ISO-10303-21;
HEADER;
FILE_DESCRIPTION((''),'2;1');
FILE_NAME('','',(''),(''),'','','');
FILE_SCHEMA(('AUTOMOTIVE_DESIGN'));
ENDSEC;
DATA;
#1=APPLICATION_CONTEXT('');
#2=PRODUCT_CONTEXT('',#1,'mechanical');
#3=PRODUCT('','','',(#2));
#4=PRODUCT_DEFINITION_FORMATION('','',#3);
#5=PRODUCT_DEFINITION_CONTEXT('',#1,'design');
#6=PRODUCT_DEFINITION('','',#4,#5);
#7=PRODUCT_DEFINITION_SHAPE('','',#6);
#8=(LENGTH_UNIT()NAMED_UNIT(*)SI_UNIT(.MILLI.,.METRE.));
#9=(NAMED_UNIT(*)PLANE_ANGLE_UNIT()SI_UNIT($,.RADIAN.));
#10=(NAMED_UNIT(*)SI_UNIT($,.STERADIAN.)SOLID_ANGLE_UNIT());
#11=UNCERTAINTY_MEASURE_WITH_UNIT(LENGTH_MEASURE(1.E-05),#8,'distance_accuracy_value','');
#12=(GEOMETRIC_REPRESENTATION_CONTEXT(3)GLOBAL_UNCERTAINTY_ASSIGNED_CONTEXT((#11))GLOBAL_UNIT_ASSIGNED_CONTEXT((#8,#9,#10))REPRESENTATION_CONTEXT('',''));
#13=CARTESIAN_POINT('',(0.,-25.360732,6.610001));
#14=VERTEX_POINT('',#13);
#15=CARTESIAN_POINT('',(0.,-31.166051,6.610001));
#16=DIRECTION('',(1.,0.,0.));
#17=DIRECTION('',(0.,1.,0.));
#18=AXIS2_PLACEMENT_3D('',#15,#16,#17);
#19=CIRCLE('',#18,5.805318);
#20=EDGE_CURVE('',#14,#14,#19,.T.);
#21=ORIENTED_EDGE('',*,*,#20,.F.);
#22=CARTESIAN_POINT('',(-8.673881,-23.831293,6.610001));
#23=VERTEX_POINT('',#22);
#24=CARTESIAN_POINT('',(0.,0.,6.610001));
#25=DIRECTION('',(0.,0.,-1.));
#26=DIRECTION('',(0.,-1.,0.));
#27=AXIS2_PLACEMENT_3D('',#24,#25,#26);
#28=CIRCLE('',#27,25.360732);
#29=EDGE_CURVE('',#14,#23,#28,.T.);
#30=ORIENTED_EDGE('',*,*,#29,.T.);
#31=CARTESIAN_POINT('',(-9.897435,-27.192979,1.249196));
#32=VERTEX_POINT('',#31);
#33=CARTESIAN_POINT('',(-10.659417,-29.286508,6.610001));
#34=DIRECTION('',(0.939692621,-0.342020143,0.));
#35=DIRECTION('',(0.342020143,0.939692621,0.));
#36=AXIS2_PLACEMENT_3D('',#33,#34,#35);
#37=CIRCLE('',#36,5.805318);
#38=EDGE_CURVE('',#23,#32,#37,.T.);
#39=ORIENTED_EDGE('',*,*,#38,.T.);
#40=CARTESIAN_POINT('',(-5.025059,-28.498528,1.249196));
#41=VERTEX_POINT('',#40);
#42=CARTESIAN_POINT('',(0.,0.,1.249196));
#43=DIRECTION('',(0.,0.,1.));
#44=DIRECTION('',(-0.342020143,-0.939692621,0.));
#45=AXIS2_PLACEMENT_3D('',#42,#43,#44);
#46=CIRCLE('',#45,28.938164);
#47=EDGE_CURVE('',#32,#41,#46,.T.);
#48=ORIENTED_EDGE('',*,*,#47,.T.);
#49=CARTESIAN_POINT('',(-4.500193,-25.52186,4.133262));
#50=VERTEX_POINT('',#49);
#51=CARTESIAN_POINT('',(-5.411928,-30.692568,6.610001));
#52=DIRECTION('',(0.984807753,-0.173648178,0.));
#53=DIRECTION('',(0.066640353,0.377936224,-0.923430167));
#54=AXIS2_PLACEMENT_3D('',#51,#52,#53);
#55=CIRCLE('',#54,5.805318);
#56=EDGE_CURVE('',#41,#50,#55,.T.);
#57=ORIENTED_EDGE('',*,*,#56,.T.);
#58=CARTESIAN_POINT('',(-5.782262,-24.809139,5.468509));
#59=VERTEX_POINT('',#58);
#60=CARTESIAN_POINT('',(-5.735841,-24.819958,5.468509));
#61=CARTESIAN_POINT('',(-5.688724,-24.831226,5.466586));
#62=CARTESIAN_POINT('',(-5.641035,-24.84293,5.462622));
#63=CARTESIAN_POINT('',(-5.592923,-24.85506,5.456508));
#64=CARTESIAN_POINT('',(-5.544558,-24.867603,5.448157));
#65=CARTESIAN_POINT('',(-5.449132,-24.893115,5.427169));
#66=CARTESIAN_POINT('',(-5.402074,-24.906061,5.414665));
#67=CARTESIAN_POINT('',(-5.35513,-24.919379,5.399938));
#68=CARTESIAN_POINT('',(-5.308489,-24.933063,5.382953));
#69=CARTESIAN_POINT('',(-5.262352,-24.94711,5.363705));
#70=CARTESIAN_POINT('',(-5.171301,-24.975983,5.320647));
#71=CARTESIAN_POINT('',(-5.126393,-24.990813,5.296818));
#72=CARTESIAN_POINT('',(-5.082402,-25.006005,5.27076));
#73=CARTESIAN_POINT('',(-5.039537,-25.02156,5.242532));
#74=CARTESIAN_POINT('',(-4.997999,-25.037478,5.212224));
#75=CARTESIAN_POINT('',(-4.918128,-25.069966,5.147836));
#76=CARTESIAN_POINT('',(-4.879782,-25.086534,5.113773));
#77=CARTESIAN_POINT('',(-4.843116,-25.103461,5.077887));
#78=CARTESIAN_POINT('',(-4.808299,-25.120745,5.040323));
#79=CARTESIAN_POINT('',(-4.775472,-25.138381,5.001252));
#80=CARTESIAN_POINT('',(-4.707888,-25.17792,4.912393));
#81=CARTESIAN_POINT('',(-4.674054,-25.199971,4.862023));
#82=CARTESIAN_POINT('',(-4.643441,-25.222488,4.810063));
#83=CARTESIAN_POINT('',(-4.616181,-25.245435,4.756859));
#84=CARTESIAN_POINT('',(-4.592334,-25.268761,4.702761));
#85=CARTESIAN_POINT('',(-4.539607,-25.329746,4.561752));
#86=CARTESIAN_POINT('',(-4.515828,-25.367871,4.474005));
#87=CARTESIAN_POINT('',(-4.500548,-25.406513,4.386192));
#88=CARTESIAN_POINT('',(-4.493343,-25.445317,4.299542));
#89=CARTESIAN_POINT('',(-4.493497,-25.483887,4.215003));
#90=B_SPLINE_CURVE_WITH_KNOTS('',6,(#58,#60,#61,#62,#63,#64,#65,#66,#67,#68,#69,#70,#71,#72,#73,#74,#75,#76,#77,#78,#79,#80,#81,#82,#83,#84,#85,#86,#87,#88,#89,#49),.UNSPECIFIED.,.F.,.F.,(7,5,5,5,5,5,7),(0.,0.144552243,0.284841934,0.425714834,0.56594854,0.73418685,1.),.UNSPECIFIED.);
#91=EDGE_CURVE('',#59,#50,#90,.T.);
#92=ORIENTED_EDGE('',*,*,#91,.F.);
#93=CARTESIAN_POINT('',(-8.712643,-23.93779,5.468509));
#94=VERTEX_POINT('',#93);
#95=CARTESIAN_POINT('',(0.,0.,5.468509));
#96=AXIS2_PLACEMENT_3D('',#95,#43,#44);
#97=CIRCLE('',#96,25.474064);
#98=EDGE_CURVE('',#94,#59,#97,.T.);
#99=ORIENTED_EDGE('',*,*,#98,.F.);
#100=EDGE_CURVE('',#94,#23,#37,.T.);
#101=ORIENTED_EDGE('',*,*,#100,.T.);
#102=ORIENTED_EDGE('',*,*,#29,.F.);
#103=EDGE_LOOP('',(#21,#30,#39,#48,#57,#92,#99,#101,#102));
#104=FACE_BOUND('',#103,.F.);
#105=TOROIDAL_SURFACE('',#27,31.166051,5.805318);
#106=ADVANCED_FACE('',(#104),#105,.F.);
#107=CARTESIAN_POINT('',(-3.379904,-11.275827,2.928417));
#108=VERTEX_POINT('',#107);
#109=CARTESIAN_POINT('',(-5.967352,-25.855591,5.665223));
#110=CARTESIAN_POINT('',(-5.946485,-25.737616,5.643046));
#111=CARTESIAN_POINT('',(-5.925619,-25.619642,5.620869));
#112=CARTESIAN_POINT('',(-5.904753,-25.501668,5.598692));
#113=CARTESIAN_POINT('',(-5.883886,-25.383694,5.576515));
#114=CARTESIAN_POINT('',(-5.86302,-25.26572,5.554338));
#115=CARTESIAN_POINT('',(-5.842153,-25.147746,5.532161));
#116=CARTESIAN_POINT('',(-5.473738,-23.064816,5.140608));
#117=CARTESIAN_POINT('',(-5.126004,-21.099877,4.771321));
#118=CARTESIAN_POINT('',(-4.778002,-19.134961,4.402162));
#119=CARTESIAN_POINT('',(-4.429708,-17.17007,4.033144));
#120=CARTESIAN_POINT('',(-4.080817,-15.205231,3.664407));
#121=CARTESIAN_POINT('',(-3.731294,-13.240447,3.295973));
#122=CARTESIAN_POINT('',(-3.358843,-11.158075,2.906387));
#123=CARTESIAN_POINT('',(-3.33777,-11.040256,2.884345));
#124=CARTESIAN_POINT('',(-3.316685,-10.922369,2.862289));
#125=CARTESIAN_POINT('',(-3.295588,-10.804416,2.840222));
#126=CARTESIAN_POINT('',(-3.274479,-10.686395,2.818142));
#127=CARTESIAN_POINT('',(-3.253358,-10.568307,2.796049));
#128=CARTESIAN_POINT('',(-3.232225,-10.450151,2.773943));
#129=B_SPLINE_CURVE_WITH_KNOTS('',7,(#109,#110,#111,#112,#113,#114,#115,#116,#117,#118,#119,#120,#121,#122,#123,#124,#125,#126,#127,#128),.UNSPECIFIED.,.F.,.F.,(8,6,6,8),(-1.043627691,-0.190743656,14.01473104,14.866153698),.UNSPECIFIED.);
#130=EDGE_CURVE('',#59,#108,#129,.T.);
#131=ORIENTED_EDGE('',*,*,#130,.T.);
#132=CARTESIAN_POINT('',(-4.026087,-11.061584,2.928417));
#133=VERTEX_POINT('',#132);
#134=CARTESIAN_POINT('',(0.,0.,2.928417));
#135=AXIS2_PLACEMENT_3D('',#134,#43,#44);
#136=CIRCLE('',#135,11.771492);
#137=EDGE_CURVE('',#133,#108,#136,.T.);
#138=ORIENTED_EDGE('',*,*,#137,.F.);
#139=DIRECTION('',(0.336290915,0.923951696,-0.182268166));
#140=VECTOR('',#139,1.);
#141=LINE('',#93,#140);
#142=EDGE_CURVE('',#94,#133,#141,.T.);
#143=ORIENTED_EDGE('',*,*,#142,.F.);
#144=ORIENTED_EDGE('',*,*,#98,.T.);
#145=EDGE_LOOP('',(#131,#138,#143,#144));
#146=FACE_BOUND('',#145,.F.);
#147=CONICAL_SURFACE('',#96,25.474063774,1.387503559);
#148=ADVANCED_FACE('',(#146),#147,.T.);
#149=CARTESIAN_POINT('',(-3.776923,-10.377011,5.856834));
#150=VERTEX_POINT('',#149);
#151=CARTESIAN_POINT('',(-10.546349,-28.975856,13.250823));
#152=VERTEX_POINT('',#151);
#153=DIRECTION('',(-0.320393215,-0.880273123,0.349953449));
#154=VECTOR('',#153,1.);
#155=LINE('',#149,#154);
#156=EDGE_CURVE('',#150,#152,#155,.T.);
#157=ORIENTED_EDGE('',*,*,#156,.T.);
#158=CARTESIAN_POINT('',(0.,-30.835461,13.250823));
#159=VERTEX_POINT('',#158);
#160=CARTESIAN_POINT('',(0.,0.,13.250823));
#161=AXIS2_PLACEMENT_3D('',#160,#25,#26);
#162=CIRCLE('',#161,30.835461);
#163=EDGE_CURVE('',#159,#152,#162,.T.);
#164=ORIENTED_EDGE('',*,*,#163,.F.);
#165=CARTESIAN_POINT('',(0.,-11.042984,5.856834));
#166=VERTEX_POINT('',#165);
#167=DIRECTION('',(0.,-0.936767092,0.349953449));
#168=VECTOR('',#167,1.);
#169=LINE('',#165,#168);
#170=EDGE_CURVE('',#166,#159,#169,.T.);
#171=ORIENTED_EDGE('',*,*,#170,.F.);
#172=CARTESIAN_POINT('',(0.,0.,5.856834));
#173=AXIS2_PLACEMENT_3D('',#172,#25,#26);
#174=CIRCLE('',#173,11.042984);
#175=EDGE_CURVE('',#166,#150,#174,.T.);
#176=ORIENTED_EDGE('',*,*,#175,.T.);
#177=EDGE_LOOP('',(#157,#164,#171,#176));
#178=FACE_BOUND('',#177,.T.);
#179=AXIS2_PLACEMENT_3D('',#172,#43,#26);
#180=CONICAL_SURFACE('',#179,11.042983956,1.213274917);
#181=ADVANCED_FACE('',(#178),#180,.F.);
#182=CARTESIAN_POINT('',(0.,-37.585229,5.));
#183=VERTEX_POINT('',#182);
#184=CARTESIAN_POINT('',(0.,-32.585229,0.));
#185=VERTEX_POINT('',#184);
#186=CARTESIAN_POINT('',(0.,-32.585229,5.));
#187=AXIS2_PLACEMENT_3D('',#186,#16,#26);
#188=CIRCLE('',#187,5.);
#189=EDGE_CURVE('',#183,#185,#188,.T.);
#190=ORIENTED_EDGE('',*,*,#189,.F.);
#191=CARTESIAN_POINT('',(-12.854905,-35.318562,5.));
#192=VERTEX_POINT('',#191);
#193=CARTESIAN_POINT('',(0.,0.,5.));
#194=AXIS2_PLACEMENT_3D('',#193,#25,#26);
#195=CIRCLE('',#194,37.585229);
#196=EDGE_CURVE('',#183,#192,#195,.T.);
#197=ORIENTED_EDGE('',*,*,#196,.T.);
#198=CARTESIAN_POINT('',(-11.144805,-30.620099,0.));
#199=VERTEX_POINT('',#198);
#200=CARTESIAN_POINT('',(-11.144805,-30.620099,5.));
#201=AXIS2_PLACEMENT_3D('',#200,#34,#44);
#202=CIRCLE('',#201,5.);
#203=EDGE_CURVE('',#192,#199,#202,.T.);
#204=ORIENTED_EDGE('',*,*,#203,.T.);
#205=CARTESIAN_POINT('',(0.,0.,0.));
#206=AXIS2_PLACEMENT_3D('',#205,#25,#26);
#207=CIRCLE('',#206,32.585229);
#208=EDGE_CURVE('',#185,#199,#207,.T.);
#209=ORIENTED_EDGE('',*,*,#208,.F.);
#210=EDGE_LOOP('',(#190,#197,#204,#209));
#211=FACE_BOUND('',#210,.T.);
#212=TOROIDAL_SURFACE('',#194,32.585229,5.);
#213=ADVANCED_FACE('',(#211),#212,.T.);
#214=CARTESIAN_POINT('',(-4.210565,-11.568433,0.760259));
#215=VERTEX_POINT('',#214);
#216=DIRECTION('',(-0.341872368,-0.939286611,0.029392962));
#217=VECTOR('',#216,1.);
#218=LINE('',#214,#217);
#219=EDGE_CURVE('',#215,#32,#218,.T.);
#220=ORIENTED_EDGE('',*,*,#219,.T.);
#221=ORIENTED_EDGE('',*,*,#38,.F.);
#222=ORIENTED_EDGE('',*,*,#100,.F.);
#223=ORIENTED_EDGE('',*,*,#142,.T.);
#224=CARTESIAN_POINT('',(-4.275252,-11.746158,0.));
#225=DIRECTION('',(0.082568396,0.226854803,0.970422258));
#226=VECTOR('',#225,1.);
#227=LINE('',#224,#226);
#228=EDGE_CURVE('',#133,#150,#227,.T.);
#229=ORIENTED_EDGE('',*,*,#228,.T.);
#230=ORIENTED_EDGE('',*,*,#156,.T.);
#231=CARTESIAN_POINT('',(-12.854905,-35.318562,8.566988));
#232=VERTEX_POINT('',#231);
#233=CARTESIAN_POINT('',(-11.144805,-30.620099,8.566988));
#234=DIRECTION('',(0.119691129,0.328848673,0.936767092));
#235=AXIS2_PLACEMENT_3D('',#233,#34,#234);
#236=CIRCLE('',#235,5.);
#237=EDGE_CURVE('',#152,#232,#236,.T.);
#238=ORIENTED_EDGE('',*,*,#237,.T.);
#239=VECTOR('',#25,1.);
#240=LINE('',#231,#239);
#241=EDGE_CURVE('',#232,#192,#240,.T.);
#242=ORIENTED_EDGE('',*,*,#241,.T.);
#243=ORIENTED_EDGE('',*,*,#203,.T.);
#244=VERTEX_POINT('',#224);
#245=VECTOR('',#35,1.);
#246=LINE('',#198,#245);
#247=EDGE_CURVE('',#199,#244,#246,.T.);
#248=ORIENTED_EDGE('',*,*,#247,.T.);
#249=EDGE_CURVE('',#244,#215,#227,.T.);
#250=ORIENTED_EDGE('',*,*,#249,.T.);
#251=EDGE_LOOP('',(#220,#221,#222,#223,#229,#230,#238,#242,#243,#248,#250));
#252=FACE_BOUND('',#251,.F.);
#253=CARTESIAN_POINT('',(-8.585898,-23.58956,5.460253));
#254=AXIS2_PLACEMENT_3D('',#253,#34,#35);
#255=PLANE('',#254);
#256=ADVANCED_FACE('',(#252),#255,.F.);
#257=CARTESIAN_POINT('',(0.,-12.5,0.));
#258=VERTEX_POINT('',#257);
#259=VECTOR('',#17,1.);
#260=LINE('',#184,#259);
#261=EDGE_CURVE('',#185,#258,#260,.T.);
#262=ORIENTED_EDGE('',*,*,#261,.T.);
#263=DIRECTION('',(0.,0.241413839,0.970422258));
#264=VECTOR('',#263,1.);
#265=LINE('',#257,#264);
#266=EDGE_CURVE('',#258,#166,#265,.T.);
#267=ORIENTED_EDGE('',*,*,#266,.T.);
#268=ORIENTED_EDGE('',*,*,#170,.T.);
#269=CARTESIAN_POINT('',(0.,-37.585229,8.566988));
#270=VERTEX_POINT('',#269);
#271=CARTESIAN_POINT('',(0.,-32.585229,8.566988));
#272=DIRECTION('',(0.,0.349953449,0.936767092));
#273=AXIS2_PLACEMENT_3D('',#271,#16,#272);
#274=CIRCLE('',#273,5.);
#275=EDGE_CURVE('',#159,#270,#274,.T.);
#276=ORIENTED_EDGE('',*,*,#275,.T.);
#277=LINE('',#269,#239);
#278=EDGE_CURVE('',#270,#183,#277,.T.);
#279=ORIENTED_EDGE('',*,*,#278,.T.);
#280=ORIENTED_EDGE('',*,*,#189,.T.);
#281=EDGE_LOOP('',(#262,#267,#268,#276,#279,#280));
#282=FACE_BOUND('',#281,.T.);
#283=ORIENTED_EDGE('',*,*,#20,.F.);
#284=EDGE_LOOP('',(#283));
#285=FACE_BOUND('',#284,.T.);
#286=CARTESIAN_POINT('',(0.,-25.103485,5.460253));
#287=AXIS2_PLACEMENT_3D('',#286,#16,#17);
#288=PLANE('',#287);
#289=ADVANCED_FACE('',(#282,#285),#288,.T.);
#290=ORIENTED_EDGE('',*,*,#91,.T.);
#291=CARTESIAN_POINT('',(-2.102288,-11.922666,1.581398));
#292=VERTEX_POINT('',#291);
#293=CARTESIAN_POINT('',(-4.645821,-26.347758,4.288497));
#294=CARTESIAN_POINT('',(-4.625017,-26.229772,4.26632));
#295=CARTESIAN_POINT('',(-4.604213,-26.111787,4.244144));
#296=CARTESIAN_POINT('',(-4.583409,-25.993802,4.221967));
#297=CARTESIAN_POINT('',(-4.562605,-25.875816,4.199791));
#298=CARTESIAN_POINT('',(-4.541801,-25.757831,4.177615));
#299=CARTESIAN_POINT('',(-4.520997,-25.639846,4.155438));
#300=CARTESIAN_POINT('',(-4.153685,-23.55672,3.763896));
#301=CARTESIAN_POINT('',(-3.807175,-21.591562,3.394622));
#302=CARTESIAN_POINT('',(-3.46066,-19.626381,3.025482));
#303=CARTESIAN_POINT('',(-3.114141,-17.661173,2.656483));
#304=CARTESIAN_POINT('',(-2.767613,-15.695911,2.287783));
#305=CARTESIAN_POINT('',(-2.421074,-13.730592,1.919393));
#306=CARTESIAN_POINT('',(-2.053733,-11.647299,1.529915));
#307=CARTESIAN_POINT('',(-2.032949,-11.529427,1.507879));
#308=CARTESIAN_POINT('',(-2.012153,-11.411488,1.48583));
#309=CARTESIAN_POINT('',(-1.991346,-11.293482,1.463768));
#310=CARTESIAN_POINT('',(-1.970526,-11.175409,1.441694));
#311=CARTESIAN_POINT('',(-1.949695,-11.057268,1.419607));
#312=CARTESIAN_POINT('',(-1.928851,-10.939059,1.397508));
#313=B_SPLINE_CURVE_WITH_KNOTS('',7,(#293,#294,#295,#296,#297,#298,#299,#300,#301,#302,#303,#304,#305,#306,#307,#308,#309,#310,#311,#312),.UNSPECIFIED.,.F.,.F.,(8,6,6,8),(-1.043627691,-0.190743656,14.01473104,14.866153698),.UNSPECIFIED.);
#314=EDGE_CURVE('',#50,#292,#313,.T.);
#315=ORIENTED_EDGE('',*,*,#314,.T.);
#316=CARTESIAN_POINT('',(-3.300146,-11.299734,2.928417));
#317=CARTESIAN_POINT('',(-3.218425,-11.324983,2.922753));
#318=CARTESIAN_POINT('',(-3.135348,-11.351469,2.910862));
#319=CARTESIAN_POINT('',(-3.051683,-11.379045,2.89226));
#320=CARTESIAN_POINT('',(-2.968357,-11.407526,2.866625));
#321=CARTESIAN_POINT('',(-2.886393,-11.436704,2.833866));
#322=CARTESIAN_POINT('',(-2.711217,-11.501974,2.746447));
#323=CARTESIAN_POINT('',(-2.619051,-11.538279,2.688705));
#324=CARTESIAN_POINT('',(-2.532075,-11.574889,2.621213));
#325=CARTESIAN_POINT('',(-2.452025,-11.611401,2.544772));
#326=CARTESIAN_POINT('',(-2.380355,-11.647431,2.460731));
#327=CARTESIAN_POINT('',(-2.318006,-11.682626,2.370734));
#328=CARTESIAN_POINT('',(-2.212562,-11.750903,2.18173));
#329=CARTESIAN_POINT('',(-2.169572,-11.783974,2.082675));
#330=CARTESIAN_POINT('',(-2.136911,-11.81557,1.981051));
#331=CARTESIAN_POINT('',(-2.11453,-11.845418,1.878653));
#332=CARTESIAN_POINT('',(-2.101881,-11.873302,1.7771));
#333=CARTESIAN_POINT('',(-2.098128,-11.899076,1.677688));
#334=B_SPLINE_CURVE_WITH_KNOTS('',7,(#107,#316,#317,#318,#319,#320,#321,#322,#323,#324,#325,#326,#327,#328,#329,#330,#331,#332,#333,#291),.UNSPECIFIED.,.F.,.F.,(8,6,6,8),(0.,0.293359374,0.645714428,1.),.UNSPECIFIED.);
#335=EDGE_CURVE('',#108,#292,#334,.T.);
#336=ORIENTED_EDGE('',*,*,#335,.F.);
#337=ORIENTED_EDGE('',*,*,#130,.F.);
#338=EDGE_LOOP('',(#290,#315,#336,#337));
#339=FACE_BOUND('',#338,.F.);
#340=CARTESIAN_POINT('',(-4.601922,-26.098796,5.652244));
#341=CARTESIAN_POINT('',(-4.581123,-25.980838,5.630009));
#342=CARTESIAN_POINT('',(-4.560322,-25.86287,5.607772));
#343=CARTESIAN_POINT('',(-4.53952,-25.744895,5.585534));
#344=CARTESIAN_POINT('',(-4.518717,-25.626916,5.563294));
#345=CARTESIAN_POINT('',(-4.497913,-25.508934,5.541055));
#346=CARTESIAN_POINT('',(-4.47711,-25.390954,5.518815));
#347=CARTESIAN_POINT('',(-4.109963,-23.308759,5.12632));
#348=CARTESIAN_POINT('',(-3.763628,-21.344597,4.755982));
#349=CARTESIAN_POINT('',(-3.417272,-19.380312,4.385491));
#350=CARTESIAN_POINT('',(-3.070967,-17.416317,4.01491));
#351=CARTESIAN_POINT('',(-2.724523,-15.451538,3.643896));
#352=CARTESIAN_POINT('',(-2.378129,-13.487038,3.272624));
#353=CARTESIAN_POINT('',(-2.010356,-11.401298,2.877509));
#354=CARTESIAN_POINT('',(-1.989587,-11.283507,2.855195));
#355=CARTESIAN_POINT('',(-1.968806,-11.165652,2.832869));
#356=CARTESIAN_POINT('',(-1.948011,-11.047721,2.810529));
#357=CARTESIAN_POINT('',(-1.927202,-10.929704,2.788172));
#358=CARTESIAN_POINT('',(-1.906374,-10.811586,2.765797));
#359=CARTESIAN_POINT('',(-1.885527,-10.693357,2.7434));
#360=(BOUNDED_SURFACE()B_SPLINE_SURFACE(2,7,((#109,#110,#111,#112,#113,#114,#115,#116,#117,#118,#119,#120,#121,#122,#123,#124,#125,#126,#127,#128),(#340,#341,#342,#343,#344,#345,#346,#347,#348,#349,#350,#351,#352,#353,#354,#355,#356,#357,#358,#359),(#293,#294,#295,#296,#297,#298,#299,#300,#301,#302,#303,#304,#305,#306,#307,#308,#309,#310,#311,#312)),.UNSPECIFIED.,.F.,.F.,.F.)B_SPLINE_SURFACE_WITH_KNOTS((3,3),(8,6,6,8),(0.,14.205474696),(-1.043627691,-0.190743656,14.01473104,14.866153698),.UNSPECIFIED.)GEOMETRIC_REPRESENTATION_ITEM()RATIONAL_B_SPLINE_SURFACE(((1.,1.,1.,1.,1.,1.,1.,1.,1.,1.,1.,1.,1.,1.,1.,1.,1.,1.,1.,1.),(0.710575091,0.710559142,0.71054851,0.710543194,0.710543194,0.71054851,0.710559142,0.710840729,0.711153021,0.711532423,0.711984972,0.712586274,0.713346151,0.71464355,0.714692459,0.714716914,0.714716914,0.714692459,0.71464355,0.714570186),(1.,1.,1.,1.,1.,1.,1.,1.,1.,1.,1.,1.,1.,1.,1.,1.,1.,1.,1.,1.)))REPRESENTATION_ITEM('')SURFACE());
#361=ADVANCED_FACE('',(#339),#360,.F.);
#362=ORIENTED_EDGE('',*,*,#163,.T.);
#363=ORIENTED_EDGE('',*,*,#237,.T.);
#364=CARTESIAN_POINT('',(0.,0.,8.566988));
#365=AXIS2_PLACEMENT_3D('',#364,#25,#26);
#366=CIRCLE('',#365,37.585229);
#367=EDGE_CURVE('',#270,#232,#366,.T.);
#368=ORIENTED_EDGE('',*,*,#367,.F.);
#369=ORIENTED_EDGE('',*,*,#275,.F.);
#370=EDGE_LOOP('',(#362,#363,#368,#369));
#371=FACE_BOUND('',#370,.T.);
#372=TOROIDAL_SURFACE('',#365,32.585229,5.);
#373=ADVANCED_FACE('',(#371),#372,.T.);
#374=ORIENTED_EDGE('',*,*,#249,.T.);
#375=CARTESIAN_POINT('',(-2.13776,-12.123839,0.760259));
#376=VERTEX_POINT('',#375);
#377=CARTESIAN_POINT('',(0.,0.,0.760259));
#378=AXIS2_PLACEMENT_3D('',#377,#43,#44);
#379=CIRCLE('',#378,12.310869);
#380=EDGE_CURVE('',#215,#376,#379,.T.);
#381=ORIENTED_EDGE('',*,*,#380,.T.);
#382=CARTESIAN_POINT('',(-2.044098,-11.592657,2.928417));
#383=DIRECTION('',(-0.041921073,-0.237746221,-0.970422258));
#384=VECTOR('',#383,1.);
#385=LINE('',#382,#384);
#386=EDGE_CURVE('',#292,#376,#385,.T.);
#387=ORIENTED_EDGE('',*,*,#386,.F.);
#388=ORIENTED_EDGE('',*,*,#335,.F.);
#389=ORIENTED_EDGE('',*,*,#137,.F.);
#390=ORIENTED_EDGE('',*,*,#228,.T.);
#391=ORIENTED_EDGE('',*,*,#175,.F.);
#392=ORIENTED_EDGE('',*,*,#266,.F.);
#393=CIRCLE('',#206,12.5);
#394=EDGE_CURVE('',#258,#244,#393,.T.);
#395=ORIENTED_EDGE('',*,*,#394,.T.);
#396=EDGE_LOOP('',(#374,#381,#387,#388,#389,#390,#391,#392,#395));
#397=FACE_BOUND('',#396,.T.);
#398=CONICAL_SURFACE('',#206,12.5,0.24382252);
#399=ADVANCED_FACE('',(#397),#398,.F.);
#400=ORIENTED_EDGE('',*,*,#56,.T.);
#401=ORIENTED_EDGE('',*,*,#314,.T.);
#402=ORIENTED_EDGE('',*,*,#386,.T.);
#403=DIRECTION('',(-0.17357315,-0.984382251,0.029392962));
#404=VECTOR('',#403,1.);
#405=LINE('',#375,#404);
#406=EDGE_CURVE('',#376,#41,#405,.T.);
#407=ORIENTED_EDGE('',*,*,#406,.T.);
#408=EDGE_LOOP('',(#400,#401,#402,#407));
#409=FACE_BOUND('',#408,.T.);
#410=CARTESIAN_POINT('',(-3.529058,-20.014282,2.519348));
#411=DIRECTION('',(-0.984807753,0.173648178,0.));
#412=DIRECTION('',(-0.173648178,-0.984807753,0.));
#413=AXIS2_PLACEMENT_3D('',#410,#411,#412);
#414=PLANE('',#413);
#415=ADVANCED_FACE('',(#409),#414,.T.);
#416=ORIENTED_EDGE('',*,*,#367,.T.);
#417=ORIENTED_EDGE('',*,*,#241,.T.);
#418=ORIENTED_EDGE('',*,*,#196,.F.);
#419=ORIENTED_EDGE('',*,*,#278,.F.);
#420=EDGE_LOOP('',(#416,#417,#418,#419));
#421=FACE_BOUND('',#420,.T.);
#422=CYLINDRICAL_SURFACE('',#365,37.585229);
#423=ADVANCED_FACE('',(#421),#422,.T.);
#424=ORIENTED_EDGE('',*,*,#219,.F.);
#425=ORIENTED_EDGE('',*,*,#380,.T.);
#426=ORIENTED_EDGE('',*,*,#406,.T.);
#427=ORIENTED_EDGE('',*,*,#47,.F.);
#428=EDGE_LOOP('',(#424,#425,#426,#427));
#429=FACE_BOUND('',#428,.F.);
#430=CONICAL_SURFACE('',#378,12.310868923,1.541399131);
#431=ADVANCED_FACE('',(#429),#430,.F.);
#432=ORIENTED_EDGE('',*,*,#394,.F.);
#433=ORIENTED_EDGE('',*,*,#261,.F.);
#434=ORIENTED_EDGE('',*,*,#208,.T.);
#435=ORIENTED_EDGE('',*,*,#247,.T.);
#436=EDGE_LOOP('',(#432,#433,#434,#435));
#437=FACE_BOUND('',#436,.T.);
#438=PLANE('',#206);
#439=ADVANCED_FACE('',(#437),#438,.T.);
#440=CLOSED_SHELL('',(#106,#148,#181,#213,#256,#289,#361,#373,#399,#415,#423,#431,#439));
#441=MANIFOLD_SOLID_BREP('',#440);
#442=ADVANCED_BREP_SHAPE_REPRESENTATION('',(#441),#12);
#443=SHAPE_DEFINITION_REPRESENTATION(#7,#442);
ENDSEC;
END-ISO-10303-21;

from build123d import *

# Parameters (mm, degrees)
F0_R     = 5.8053181287
F2_ANGLE = 20
F4_ANGLE = 10
F5_R     = 1.4002438662


with BuildPart() as f2:
    # F0 (on Right) → F2 (revolve)
    with BuildSketch(Plane.YZ):
        with BuildLine():
            Line((-32.5852286816, 0), (-12.5, 0))
            Line((-12.5, 0), (-11.0429839557, 5.8568340727))
            Line((-11.0429839557, 5.8568340727), (-30.835461438, 13.2508232685))
            ThreePointArc((-30.835461438, 13.2508232685), (-35.4357693129, 12.6748361661), (-37.5852286816, 8.5669878109))
            Line((-37.5852286816, 8.5669878109), (-37.5852286816, 5))
            ThreePointArc((-37.5852286816, 5), (-36.1207625875, 1.4644660941), (-32.5852286816, 0))
        make_face()
        with Locations((-31.1660505831, 6.6100014374)):
            Circle(F0_R, mode=Mode.SUBTRACT)
    revolve(axis=Axis((0, 0, 4.1237957776), (0, 0, -1)), revolution_arc=F2_ANGLE)

    # F3 (on face) → F4 (revolve, cut)
    with BuildSketch(Plane(origin=(0, 0, 0), x_dir=(-0.3420201433, -0.9396926208, 0), z_dir=(-0.9396926208, 0.3420201433, 0))):
        with BuildLine():
            Line((12.3108689231, 0.7602588451), (28.9381639648, 1.2491955472))
            ThreePointArc((28.9381639648, 1.2491955472), (26.6792086534, 2.9262576795), (25.4740637742, 5.4685091058))
            Line((25.4740637742, 5.4685091058), (11.7714919778, 2.9284170363))
            Line((11.7714919778, 2.9284170363), (12.3108689231, 0.7602588451))
        make_face()
    revolve(axis=Axis((0, 0, 4.1237957776), (0, 0, 1)), revolution_arc=F4_ANGLE, mode=Mode.SUBTRACT)

    # F5
    f5_edges = [f2.edges().sort_by_distance(p)[0] for p in [
        (-3.233811, -18.339856, 4.198463),
    ]]
    fillet(f5_edges, radius=F5_R)


solid = f2.part
